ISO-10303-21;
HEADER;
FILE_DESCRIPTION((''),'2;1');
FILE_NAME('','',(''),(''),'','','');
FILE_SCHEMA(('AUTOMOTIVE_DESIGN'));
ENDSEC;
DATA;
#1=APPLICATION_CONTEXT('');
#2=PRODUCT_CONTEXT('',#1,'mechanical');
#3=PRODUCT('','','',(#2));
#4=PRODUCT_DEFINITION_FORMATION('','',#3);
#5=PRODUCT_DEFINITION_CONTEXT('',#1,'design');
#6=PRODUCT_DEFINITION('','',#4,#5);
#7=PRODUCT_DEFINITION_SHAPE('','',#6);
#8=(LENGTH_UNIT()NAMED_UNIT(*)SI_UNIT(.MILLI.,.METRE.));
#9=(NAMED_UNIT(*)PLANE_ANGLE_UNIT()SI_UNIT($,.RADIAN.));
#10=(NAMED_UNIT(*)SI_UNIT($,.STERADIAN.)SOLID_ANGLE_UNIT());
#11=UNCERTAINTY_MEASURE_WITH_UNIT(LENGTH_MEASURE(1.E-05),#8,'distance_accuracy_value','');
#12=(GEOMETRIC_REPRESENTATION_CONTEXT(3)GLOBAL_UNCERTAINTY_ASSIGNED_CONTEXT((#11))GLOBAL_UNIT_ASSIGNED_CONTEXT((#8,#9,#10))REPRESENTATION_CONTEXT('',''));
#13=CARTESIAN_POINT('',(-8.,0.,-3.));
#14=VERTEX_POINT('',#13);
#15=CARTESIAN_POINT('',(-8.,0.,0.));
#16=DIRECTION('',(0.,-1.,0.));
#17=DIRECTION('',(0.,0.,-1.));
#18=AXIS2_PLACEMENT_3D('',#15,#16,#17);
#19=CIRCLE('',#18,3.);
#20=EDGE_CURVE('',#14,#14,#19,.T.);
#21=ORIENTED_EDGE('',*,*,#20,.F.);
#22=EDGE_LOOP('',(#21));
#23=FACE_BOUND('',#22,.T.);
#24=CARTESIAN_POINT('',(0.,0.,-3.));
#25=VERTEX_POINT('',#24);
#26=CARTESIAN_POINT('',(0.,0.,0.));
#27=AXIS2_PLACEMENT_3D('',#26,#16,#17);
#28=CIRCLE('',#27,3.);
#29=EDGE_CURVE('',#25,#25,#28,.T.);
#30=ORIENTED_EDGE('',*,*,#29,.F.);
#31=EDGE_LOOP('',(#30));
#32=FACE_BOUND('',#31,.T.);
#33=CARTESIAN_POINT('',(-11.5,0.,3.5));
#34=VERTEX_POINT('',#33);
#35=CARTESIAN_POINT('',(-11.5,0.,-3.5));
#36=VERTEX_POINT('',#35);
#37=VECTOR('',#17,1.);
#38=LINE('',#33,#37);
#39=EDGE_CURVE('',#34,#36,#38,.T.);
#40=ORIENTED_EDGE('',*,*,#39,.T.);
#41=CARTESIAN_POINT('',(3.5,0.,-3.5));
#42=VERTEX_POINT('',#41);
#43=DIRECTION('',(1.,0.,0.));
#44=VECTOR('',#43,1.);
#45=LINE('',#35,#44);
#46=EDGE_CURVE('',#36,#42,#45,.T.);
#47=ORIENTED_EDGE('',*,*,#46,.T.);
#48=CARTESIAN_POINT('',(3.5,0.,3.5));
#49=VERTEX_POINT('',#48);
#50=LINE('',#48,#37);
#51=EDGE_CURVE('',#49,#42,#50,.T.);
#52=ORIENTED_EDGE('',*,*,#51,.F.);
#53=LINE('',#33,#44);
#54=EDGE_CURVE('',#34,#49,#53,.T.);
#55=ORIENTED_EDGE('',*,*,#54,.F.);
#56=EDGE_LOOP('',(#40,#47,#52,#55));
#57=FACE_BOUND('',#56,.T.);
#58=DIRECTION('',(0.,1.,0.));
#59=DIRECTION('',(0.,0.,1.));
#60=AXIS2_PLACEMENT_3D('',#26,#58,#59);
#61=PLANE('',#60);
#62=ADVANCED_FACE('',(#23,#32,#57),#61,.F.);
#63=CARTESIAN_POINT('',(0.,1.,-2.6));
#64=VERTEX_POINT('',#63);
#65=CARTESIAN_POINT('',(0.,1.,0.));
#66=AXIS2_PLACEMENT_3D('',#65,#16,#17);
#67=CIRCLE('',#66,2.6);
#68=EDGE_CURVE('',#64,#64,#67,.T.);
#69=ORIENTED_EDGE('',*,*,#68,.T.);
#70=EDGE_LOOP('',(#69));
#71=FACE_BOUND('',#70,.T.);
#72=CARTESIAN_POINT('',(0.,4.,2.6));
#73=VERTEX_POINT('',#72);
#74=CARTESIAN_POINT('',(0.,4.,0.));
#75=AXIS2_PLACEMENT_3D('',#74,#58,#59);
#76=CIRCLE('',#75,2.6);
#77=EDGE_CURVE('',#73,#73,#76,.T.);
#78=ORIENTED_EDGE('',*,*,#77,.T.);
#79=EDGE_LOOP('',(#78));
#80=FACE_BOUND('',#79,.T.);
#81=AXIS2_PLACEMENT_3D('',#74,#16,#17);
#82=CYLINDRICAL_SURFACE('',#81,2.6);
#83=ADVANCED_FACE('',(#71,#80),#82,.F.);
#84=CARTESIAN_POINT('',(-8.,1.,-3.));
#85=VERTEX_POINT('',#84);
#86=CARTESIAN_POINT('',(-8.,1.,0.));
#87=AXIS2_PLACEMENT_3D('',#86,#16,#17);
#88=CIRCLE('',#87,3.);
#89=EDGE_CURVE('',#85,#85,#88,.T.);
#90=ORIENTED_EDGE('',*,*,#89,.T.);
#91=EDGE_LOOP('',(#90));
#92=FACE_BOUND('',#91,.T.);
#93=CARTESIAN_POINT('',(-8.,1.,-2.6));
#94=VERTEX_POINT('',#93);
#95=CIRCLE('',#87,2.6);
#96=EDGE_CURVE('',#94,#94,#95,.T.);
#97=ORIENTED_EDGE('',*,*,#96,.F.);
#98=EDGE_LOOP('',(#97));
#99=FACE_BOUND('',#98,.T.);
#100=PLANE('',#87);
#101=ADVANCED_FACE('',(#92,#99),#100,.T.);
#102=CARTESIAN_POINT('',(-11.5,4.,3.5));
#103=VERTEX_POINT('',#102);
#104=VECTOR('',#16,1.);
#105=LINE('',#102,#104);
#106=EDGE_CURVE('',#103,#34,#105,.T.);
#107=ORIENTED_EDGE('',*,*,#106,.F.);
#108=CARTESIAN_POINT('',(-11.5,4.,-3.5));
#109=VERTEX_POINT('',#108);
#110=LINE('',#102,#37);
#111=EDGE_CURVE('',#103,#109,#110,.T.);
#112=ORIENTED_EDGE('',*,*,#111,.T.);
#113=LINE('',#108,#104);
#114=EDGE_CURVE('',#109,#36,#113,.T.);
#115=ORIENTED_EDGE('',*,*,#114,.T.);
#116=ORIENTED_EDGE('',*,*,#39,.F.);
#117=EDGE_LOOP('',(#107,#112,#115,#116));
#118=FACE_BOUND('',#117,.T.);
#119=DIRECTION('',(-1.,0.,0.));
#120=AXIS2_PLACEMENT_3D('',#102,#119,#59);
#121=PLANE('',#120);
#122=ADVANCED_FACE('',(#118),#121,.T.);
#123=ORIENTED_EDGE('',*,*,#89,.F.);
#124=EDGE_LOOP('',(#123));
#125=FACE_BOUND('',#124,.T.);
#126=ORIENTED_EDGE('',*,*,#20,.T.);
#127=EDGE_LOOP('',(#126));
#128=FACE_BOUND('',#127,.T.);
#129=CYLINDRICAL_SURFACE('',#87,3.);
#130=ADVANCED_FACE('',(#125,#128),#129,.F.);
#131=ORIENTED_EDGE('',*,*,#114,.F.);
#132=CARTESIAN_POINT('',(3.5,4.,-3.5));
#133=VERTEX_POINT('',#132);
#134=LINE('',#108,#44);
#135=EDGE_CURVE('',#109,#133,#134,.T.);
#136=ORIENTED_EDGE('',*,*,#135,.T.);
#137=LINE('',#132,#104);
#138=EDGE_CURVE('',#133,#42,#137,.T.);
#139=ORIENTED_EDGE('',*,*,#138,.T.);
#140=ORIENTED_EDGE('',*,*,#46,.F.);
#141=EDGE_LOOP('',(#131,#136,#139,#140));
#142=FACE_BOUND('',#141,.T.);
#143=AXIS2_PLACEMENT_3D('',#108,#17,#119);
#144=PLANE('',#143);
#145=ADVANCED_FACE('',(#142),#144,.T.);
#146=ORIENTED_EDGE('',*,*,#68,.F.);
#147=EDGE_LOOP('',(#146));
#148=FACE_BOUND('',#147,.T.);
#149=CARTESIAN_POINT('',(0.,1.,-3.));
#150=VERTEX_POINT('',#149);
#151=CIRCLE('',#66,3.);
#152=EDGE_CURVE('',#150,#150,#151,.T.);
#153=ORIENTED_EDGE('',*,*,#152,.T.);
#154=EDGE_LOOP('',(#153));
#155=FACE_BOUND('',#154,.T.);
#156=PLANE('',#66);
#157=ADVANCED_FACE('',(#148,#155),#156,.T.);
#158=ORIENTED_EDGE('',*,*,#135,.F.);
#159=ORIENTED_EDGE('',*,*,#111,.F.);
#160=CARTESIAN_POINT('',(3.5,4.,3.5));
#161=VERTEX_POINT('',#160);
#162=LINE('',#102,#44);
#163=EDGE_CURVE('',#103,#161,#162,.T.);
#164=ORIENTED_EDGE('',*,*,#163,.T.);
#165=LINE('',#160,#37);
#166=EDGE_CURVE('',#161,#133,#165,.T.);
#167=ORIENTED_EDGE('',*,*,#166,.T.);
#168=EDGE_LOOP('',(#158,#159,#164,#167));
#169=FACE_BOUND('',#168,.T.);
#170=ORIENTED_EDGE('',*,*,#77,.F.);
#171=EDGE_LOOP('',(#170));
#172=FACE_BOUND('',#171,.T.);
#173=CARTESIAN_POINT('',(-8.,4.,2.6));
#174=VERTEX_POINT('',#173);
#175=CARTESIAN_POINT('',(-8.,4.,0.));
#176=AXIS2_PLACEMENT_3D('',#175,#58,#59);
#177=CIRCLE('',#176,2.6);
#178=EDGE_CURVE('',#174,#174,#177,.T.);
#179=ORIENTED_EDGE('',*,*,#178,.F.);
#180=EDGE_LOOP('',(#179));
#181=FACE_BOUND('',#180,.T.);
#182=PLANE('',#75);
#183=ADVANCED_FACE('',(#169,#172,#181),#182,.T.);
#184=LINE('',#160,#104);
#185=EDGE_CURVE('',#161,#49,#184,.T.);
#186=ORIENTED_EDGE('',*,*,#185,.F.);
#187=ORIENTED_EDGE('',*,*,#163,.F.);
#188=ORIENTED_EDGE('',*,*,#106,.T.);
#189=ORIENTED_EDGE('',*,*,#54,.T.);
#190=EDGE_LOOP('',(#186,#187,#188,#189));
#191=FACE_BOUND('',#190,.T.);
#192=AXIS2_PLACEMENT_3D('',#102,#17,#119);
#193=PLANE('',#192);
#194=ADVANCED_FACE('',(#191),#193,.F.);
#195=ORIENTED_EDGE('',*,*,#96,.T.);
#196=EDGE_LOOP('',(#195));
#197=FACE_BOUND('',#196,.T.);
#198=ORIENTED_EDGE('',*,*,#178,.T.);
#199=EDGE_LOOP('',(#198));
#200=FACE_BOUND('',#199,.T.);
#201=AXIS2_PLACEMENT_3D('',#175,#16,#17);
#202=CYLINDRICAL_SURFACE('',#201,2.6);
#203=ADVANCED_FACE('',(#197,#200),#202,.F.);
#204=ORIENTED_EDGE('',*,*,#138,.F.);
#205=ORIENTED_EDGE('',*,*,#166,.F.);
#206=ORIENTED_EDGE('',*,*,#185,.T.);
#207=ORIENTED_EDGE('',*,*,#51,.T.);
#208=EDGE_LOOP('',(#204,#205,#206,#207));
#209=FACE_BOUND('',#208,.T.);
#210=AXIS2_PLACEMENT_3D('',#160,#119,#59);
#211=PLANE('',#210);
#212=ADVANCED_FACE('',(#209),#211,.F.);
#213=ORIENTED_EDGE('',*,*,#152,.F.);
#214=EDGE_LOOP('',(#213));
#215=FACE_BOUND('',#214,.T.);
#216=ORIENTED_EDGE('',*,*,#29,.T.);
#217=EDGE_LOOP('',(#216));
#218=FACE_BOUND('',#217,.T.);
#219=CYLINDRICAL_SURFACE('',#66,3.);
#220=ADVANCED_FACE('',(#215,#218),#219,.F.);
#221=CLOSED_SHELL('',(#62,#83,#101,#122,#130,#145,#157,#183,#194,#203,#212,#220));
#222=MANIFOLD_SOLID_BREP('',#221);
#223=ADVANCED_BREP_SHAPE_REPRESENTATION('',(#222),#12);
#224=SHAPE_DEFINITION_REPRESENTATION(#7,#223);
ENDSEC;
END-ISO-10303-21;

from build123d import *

# Parameters (mm, degrees)
CROQUIS1_W              = 15
CROQUIS1_H              = 7
CROQUIS1_R              = 2.6
SALIENTE_EXTRUIR1_DEPTH = 4
CROQUIS2_R              = 3
CORTAR_EXTRUIR1_DEPTH   = 1


with BuildPart() as part:
    # Croquis1 → Saliente-Extruir1 (new body)
    with BuildSketch(Plane(origin=(0, 0, 0), x_dir=(1, 0, 0), z_dir=(0, 1, 0))):
        with Locations((-4, 0)):
            Rectangle(CROQUIS1_W, CROQUIS1_H)
        Circle(CROQUIS1_R, mode=Mode.SUBTRACT)
        with Locations((-8, 0)):
            Circle(CROQUIS1_R, mode=Mode.SUBTRACT)
    extrude(amount=SALIENTE_EXTRUIR1_DEPTH)

    # Croquis2 → Cortar-Extruir1 (cut)
    with BuildSketch(Plane.XZ):
        Circle(CROQUIS2_R)
        with Locations((-8, 0)):
            Circle(CROQUIS2_R)
    extrude(amount=-CORTAR_EXTRUIR1_DEPTH, mode=Mode.SUBTRACT)


solid = part.part
